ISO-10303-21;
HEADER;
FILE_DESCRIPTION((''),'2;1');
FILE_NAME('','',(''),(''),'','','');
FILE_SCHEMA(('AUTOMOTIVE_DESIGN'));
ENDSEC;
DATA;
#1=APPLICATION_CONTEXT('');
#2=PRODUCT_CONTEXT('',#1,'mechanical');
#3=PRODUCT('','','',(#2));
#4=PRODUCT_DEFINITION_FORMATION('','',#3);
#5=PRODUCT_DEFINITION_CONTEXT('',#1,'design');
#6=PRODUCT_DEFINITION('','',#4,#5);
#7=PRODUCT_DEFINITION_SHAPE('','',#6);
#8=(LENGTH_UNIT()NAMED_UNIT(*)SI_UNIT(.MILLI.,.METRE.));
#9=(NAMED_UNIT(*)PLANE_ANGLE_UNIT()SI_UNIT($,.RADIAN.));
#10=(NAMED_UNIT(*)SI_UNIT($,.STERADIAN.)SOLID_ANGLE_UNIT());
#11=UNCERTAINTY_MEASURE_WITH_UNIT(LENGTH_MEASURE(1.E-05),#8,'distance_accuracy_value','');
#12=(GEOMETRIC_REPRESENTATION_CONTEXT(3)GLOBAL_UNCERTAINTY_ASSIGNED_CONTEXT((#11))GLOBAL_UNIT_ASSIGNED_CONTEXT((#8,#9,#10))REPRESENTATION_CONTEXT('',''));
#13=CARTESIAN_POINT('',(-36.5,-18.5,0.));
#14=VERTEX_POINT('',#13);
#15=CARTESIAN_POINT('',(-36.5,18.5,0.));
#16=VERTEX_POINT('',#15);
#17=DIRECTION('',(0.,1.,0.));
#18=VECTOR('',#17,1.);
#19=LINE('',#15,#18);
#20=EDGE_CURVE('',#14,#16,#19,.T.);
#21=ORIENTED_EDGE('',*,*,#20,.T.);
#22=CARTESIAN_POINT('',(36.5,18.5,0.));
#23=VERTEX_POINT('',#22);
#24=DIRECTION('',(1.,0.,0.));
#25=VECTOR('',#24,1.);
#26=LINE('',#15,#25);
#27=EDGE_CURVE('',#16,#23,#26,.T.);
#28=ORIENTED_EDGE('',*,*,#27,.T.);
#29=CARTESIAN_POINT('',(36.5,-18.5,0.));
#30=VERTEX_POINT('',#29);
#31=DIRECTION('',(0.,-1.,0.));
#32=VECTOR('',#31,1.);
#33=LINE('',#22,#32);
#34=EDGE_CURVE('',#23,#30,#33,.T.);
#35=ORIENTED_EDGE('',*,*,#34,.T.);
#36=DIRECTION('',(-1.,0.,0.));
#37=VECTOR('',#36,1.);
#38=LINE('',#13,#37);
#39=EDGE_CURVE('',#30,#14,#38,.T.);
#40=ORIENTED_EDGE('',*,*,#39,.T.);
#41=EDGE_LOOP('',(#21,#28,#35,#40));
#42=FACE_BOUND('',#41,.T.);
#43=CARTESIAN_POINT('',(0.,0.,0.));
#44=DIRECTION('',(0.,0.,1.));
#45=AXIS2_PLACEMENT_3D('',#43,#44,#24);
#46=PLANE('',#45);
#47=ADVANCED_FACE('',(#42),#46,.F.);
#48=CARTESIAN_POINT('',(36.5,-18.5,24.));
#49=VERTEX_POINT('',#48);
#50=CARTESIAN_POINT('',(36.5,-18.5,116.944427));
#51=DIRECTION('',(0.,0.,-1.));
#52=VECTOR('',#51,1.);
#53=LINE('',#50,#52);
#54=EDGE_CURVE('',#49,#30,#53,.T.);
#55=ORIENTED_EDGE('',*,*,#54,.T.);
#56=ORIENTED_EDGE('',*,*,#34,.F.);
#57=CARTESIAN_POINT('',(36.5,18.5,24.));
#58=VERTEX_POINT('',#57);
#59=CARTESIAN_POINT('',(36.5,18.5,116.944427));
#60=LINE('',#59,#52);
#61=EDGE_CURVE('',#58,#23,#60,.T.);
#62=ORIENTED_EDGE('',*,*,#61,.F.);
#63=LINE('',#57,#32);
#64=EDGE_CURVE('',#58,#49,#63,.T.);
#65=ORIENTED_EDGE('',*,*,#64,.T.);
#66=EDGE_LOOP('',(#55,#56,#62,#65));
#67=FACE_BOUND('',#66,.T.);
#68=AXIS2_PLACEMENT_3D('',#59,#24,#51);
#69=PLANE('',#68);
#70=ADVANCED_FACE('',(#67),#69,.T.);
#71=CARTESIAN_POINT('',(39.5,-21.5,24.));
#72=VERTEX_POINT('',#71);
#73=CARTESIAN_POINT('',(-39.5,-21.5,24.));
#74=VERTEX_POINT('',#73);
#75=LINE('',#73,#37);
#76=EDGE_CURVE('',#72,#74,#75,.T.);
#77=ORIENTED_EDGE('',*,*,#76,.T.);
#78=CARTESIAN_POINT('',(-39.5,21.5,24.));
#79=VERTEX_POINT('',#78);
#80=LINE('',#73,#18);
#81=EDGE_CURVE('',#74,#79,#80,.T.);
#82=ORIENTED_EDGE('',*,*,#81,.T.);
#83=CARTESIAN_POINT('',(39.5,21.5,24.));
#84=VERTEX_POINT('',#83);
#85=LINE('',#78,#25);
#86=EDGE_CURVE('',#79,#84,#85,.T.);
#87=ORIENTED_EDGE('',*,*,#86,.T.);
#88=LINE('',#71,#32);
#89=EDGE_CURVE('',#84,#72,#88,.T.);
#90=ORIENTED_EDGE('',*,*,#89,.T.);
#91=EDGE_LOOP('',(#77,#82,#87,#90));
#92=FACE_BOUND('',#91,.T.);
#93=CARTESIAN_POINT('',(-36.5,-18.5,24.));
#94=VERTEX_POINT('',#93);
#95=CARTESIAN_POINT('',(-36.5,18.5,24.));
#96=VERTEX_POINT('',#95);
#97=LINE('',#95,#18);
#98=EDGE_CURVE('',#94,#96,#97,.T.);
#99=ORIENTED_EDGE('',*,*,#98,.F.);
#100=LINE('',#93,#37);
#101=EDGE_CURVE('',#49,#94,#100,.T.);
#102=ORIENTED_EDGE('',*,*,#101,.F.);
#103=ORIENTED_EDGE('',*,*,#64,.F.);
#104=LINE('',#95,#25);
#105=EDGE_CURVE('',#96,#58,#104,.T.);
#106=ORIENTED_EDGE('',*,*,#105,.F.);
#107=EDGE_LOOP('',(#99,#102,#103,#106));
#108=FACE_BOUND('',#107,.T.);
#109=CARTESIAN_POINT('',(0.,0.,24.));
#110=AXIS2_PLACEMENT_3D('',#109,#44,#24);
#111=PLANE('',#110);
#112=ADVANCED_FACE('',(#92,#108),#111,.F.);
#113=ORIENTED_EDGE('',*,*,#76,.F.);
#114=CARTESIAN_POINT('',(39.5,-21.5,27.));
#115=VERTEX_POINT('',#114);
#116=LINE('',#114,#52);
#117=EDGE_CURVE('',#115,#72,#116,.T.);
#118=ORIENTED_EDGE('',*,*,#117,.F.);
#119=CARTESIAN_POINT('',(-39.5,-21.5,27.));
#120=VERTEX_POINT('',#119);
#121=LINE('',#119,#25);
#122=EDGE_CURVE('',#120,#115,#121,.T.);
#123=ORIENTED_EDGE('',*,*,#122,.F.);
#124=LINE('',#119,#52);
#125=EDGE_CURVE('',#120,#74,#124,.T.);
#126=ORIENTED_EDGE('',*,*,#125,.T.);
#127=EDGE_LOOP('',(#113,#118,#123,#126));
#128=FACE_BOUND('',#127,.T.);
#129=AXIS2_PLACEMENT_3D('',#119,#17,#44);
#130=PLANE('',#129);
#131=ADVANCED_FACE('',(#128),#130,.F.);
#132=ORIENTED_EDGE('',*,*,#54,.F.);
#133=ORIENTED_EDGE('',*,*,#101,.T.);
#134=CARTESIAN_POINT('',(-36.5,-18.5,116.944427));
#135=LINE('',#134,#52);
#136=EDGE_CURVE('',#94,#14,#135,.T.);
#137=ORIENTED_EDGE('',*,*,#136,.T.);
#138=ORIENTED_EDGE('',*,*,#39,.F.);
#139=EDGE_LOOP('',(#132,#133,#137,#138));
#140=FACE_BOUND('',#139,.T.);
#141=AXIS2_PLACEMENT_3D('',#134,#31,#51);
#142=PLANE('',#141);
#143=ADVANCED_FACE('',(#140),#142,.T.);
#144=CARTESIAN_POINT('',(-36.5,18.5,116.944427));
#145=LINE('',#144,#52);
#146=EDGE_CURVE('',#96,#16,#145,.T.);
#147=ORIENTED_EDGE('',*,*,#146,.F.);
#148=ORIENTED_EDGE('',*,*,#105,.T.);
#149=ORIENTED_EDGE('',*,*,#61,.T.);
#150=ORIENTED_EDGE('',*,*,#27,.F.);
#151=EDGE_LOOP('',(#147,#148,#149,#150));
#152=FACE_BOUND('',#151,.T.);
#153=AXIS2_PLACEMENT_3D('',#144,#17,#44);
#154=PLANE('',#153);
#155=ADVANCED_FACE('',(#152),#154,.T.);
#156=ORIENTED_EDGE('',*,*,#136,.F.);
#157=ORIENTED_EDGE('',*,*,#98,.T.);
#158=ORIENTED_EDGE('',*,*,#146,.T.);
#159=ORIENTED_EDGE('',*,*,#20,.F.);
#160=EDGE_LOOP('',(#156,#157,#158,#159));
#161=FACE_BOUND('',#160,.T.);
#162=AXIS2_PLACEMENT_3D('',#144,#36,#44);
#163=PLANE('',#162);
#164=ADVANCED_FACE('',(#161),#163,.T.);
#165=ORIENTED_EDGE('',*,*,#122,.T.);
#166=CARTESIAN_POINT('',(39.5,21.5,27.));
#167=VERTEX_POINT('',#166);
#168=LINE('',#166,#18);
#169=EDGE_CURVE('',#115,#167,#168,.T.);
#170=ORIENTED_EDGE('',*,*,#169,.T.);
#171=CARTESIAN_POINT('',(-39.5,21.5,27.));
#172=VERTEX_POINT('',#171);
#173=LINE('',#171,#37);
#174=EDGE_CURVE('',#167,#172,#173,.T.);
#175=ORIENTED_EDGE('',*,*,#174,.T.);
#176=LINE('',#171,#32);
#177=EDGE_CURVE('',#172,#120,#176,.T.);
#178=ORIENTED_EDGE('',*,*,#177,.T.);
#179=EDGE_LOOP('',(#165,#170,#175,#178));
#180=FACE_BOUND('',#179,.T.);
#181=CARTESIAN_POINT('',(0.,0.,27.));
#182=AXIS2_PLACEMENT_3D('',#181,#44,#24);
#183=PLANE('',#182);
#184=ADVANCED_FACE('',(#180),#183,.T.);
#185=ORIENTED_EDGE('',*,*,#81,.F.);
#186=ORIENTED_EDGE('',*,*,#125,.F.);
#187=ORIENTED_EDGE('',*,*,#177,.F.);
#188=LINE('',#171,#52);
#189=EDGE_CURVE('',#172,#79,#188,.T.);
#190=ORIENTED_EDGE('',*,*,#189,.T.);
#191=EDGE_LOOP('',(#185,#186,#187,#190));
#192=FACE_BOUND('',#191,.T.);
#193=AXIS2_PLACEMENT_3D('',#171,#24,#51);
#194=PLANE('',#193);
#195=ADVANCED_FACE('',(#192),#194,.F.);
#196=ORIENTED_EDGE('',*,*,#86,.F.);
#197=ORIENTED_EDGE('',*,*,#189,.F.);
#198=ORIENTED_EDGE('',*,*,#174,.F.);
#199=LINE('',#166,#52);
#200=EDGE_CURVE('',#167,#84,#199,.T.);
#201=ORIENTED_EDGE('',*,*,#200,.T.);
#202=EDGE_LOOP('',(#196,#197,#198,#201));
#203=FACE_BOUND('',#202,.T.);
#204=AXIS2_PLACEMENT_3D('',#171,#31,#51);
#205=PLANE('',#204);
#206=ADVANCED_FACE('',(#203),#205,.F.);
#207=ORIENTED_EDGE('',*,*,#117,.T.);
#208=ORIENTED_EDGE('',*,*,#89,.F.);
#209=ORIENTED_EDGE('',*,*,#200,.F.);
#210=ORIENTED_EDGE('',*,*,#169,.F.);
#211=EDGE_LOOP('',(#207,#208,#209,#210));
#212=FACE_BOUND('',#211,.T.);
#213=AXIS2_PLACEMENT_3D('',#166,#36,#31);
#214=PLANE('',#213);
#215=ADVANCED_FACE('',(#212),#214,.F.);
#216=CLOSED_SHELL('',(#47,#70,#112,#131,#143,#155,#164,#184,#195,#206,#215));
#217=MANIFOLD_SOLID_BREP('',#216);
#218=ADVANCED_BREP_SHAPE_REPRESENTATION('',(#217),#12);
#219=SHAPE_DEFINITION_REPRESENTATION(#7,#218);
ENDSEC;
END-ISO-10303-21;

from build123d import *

# Parameters (mm, degrees)
SKIZZE1_W                       = 79
SKIZZE1_H                       = 43
AUFSATZ_LINEAR_AUSTRAGEN1_DEPTH = 27
SKIZZE2_W                       = 79
SKIZZE2_H                       = 43
SKIZZE2_W_2                     = 73
SKIZZE2_H_2                     = 37
SCHNITT_LINEAR_AUSTRAGEN1_DEPTH = 24


with BuildPart() as part:
    # Skizze1 → Aufsatz-Linear austragen1 (new body)
    with BuildSketch(Plane.XY):
        Rectangle(SKIZZE1_W, SKIZZE1_H)
    extrude(amount=AUFSATZ_LINEAR_AUSTRAGEN1_DEPTH)

    # Skizze2 → Schnitt-Linear austragen1 (cut)
    with BuildSketch(Plane(origin=(0, 0, 0), x_dir=(-1, 0, 0), z_dir=(0, 0, -1))):
        Rectangle(SKIZZE2_W, SKIZZE2_H)
        Rectangle(SKIZZE2_W_2, SKIZZE2_H_2, mode=Mode.SUBTRACT)
    extrude(amount=-SCHNITT_LINEAR_AUSTRAGEN1_DEPTH, mode=Mode.SUBTRACT)


solid = part.part
